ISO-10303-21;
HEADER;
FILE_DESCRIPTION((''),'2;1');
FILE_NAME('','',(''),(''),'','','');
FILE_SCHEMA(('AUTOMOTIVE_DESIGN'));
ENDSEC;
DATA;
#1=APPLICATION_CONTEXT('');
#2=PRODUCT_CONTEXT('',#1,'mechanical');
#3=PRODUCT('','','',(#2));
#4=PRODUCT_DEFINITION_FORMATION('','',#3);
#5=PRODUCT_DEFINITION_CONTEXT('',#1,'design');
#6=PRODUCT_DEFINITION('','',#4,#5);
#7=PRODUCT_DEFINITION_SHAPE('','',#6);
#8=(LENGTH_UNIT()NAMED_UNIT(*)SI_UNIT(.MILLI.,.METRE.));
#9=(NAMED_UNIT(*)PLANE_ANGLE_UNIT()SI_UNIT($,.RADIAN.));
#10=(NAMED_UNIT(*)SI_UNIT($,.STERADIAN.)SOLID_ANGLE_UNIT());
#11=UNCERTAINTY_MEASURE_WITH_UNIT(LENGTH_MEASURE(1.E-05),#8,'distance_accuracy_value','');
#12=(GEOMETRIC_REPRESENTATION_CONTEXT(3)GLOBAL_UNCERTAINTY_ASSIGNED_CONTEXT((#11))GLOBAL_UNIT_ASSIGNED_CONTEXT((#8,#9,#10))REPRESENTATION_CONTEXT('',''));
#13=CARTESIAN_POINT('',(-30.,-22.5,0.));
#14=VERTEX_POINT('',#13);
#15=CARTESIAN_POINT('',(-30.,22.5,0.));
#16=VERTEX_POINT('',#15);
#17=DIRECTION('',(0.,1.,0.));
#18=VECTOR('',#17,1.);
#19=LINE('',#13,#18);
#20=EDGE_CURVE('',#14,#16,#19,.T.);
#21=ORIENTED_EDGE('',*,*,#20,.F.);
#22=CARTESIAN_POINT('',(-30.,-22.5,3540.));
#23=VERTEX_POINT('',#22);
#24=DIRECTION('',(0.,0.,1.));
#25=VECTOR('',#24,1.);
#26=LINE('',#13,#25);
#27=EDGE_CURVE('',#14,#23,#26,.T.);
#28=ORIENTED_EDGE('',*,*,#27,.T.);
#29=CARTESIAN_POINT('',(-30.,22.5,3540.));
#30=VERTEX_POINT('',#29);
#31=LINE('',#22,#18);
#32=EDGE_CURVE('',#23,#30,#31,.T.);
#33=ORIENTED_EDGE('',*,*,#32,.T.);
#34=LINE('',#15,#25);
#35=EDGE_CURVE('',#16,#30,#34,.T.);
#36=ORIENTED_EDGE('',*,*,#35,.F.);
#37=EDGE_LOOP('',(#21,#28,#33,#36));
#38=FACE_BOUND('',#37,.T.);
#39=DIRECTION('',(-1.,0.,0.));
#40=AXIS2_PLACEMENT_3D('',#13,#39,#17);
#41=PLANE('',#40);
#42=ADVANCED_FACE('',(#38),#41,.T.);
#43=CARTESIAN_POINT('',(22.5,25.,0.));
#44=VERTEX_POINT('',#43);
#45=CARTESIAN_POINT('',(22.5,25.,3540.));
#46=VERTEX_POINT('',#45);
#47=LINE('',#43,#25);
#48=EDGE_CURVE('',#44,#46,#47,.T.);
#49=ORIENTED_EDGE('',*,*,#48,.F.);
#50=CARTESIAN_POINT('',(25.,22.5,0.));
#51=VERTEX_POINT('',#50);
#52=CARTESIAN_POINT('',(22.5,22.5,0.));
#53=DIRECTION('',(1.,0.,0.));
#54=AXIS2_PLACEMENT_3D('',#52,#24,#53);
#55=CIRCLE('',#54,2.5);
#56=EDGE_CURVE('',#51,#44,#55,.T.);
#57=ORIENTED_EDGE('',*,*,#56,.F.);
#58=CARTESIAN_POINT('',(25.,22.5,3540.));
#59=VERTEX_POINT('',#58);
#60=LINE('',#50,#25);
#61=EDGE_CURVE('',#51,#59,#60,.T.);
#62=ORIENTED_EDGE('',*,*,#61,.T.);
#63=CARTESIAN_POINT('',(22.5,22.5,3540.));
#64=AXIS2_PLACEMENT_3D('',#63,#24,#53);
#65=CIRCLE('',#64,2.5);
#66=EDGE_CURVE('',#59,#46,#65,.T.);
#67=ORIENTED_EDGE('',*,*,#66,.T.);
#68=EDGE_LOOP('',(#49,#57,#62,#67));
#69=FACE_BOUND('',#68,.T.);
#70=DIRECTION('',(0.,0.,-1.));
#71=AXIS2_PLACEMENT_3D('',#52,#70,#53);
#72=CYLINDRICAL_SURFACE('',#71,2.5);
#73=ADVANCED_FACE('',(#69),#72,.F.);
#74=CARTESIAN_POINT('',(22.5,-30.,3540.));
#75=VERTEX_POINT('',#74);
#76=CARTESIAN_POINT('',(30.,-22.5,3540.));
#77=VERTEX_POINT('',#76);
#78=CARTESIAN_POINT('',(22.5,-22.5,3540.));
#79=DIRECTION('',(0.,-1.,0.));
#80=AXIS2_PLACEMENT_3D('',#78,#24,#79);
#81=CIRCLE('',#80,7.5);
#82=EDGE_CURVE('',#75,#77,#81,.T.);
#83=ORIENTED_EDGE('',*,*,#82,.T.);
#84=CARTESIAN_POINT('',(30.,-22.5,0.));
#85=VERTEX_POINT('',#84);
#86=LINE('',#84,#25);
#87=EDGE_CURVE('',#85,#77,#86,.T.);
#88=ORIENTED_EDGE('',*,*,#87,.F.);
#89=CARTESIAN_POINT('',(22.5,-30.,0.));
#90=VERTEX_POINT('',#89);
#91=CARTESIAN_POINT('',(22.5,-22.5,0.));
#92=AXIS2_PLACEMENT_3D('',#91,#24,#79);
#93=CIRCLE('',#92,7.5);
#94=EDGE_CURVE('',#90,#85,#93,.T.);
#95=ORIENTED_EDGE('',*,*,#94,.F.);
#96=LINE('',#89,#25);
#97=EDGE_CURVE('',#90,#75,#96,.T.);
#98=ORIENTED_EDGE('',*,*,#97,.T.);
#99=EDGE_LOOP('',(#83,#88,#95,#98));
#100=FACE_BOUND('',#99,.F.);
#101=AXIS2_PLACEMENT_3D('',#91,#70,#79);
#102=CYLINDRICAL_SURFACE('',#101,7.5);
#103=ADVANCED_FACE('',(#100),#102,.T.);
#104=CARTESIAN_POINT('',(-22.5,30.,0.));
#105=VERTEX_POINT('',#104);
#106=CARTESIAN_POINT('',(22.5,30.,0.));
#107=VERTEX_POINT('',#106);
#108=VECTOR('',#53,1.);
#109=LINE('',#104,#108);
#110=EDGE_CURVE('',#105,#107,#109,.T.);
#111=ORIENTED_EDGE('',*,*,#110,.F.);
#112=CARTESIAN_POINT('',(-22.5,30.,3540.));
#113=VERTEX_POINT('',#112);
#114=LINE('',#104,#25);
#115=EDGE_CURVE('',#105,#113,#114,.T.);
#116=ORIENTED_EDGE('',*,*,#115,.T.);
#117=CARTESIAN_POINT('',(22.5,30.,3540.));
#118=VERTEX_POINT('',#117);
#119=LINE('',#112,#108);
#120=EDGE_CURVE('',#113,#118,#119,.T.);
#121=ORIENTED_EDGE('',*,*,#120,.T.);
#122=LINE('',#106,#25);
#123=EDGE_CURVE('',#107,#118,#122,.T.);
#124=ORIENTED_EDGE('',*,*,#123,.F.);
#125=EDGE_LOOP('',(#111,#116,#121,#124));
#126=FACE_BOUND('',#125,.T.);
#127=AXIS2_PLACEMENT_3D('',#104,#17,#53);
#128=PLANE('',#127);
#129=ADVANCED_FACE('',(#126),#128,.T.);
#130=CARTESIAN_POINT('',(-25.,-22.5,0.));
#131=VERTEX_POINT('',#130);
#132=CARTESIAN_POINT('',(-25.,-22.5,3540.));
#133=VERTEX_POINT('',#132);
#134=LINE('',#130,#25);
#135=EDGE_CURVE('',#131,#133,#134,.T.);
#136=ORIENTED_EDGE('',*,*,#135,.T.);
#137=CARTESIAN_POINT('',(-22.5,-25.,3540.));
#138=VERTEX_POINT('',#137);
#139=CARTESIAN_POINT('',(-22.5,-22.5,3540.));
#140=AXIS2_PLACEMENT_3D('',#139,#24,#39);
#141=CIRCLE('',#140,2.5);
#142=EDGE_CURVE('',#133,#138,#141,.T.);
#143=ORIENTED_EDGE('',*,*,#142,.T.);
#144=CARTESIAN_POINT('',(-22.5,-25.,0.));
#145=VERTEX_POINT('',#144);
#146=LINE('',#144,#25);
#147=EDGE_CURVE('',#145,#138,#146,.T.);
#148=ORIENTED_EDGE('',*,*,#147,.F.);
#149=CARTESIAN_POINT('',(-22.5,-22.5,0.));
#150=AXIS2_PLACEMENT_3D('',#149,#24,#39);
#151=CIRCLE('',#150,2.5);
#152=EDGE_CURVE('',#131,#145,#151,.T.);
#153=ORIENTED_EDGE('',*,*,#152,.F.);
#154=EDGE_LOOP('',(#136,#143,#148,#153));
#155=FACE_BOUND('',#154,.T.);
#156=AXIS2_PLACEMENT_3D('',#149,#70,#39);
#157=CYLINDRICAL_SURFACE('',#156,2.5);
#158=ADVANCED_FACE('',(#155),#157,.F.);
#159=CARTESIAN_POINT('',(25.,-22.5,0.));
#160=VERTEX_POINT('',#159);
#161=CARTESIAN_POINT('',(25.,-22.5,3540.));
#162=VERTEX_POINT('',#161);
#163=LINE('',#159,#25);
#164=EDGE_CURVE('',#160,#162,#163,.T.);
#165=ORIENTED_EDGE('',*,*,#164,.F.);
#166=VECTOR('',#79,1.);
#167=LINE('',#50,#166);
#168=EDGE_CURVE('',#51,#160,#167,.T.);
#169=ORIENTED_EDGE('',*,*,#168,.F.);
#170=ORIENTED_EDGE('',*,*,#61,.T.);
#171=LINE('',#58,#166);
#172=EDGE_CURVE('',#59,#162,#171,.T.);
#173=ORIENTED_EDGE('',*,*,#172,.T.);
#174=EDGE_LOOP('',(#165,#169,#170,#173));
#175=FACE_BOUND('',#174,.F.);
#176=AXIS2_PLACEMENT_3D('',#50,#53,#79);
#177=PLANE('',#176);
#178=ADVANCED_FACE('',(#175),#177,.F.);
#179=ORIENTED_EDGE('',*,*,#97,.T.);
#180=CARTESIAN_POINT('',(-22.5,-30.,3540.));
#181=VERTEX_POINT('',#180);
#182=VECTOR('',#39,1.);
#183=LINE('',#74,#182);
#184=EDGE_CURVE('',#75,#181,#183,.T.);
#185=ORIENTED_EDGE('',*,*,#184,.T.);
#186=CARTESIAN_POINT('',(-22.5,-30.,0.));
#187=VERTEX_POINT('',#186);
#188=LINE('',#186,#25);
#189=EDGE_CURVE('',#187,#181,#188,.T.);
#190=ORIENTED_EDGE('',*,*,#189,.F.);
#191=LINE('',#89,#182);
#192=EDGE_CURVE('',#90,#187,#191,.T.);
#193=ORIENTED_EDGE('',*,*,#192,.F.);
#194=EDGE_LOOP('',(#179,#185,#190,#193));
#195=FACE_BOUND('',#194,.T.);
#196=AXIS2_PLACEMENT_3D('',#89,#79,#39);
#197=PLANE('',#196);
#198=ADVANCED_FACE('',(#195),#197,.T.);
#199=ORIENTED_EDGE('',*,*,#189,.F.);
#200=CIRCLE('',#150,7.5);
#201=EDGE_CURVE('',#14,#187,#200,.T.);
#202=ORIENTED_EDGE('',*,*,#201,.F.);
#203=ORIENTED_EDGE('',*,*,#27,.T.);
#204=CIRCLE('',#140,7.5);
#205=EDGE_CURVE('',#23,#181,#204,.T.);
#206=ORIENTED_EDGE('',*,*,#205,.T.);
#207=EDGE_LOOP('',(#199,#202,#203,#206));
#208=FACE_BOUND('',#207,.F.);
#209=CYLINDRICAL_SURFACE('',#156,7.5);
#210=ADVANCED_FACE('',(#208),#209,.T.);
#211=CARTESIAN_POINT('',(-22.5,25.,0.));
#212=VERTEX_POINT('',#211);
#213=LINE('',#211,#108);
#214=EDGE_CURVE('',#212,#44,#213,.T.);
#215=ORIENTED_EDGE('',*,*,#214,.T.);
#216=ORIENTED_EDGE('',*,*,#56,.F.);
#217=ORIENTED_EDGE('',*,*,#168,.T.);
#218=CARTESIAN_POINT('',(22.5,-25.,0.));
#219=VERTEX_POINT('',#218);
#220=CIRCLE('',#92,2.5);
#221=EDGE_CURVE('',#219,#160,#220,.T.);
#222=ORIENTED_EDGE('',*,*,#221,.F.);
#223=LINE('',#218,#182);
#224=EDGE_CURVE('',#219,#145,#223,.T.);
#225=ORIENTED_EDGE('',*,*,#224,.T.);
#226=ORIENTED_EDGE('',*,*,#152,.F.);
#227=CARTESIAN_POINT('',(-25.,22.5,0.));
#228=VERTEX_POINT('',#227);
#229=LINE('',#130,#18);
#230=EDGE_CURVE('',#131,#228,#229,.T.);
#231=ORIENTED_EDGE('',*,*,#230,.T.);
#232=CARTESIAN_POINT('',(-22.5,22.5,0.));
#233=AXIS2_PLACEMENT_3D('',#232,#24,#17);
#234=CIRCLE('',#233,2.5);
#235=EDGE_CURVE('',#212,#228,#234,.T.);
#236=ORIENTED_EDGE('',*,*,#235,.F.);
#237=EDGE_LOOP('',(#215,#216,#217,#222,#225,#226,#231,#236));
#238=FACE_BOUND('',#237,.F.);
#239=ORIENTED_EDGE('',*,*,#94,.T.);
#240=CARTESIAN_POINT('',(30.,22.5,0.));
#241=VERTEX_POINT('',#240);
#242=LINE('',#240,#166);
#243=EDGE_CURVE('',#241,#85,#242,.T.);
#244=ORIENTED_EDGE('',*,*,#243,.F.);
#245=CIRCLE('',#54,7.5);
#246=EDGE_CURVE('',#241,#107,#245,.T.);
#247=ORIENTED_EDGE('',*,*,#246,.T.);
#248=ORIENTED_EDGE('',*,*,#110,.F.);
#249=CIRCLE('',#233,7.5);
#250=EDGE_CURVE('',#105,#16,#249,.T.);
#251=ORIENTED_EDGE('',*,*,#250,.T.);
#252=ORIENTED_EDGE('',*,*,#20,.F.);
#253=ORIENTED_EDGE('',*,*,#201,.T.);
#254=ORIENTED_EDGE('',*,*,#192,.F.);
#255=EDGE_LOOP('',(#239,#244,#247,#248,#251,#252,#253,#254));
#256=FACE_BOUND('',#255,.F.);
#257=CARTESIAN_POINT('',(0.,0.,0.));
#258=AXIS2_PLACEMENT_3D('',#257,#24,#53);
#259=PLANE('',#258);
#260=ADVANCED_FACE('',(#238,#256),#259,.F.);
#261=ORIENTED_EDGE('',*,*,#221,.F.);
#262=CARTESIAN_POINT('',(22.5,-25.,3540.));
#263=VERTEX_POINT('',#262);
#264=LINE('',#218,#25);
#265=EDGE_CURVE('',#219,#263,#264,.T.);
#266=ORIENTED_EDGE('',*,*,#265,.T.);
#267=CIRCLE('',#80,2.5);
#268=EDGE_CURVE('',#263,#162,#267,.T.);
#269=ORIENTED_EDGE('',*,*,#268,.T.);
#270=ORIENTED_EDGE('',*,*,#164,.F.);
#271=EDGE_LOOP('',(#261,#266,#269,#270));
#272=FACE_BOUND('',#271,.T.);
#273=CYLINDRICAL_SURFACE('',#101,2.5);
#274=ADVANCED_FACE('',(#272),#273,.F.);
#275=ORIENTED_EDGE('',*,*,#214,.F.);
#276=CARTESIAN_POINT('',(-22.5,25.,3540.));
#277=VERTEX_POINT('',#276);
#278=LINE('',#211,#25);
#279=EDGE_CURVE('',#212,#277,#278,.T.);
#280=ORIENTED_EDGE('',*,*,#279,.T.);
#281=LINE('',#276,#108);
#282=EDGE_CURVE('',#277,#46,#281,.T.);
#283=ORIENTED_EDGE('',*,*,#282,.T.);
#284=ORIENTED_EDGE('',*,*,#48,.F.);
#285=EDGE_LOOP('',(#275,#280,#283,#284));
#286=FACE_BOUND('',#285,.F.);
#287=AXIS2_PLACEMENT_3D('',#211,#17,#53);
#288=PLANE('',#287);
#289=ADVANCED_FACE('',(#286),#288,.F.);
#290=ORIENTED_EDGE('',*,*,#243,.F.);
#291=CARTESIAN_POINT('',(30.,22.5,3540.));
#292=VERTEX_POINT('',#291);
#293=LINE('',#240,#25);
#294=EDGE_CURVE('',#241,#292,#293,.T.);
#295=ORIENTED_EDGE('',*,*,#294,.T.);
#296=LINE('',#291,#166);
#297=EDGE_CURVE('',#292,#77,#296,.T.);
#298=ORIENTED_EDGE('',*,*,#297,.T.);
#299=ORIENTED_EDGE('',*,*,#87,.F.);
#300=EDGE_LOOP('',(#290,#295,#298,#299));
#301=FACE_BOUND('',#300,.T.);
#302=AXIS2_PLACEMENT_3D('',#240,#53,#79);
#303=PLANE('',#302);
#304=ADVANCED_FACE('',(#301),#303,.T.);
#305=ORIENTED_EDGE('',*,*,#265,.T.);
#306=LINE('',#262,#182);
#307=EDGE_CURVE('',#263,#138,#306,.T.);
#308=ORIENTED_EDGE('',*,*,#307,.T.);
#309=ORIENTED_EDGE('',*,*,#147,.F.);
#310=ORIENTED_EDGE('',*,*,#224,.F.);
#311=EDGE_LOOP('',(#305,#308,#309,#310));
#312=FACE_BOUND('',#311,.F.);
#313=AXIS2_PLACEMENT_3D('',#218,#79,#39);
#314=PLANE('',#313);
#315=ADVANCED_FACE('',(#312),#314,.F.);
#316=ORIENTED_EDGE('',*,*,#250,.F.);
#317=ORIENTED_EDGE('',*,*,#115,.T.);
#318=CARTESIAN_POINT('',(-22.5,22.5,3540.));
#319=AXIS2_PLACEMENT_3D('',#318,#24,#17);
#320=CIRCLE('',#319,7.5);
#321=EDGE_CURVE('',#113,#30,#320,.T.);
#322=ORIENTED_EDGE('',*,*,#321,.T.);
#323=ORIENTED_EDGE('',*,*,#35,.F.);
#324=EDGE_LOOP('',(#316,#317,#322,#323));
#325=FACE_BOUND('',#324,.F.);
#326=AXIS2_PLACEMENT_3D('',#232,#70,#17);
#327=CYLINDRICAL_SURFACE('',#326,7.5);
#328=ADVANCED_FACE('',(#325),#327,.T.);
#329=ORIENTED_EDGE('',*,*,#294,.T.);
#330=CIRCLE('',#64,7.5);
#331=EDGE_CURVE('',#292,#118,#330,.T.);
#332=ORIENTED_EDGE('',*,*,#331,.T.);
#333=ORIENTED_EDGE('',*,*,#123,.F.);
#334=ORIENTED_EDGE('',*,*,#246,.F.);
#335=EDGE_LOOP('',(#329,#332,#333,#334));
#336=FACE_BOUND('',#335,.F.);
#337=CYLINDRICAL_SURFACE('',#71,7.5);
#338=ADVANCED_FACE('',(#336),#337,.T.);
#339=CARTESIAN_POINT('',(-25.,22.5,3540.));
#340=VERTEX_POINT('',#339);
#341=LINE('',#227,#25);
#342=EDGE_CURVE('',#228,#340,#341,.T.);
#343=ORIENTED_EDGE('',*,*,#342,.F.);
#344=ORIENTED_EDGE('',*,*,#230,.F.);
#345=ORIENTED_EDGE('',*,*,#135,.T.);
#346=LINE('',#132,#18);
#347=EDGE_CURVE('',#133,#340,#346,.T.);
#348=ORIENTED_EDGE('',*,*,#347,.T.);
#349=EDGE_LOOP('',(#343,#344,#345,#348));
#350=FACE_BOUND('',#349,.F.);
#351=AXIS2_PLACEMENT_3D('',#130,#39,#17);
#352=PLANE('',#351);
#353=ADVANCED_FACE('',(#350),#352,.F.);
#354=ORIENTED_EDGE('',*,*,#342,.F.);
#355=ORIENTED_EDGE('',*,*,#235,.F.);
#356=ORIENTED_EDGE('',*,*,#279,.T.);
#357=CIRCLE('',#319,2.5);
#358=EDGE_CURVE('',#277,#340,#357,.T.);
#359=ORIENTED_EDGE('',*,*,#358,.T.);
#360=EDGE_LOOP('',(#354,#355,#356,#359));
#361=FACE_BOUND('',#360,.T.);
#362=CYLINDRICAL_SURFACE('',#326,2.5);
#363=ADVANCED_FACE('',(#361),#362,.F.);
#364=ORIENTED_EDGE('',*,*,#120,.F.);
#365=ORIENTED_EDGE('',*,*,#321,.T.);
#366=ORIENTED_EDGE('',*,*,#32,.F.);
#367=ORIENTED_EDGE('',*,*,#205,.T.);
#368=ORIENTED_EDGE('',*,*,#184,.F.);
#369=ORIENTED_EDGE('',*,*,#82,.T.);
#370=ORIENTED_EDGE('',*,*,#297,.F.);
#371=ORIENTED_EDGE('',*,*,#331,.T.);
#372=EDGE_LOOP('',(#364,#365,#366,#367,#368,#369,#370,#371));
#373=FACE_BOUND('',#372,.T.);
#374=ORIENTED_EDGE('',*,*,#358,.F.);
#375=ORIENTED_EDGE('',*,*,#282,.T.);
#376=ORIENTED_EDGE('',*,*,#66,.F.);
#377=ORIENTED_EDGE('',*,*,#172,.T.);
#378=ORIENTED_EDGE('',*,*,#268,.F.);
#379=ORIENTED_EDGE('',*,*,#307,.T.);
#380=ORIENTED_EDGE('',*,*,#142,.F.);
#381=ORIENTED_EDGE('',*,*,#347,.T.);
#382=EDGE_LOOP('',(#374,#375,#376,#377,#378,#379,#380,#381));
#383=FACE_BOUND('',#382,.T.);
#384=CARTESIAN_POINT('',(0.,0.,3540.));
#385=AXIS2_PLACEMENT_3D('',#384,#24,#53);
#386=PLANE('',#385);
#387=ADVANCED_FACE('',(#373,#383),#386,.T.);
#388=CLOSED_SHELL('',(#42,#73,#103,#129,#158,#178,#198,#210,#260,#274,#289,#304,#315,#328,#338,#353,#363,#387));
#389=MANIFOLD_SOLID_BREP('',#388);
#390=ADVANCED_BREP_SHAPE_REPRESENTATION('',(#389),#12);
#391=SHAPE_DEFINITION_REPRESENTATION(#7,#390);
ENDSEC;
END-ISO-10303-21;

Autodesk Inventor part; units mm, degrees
ref_plane "YZ Plane" through (0, 0, 0) normal (1, 0, 0) x (0, 1, 0)
ref_plane "Start Plane" through (0, 0, 0) normal (0, 0, 1) x (1, 0, 0)
ref_plane "End Plane" through (0, 0, 3540) normal (0, 0, 1) x (1, 0, 0)
sketch "Sketch" plane through (0, 0, 0) normal (0, 0, 1) x (1, 0, 0)
  line L0 (-30, -22.5) -> (-30, 22.5)
  line L1 (-22.5, 30) -> (22.5, 30)
  line L2 (30, 22.5) -> (30, -22.5)
  line L3 (22.5, -30) -> (-22.5, -30)
  arc A0 (-30, -22.5) -> (-22.5, -30) centre (-22.5, -22.5) ccw
  arc A1 (-22.5, 30) -> (-30, 22.5) centre (-22.5, 22.5) ccw
  arc A2 (30, 22.5) -> (22.5, 30) centre (22.5, 22.5) ccw
  arc A3 (22.5, -30) -> (30, -22.5) centre (22.5, -22.5) ccw
  arc A4 (-22.5, 25) -> (-25, 22.5) centre (-22.5, 22.5) ccw
  line L4 (-22.5, 25) -> (22.5, 25)
  arc A5 (25, 22.5) -> (22.5, 25) centre (22.5, 22.5) ccw
  line L5 (25, 22.5) -> (25, -22.5)
  arc A6 (22.5, -25) -> (25, -22.5) centre (22.5, -22.5) ccw
  line L6 (22.5, -25) -> (-22.5, -25)
  arc A7 (-25, -22.5) -> (-22.5, -25) centre (-22.5, -22.5) ccw
  line L7 (-25, -22.5) -> (-25, 22.5)
  line L8 (0, 44.1746) -> (0, -44.1746) construction
  line L9 (-44.1746, 0) -> (44.1746, 0) construction
  dimension "d7" = 7.5
  dimension "d10" = 60
  dimension "d11" = 60
  dimension "d12" = 5
  dimension "d15" = 30
  dimension "d16" = 30
extrude "Body" add sketch "Sketch" along normal up to surface (3540 mm away) from surface at 0
sketch "Sketch3" plane through (0, 0, 0) normal (0, 0, 1) x (1, 0, 0)
  line L0 (0, 0) -> (10, 0)
ref_plane "Work Plane3" through (0, 0, 0) normal (0, -1, 0) x (1, 0, 0)
sketch "Sketch4" plane through (0, 0, 0) normal (0, -1, 0) x (1, 0, 0)
  line L0 (-2, 0) -> (12, 0) projected
  line L1 (-2, 3540) -> (12, 3540) projected
  dimension "d18" = 3540
equation "\"d7\" = G_IR"
equation "\"d10\" = G_H"
equation "\"d11\" = G_W"
equation "\"d12\" = G_T"
equation "\"d15\" = 0.5 * d10"
equation "\"d16\" = 0.5 * d11"
equation "\"d3\" = G_L"
equation "\"G_W\" = 60"
equation "\"G_H\" = 60"
equation "\"G_T\" = 5"
equation "\"G_IR\" = 7.5"
equation "\"G_L\" = d18"
equation "\"G_OFFSET_START\" = 0"
equation "\"G_OFFSET_END\" = 0"
properties part number "ISO 12633-2 - 60x60x5 - 3540" material "Steel, Mild"
